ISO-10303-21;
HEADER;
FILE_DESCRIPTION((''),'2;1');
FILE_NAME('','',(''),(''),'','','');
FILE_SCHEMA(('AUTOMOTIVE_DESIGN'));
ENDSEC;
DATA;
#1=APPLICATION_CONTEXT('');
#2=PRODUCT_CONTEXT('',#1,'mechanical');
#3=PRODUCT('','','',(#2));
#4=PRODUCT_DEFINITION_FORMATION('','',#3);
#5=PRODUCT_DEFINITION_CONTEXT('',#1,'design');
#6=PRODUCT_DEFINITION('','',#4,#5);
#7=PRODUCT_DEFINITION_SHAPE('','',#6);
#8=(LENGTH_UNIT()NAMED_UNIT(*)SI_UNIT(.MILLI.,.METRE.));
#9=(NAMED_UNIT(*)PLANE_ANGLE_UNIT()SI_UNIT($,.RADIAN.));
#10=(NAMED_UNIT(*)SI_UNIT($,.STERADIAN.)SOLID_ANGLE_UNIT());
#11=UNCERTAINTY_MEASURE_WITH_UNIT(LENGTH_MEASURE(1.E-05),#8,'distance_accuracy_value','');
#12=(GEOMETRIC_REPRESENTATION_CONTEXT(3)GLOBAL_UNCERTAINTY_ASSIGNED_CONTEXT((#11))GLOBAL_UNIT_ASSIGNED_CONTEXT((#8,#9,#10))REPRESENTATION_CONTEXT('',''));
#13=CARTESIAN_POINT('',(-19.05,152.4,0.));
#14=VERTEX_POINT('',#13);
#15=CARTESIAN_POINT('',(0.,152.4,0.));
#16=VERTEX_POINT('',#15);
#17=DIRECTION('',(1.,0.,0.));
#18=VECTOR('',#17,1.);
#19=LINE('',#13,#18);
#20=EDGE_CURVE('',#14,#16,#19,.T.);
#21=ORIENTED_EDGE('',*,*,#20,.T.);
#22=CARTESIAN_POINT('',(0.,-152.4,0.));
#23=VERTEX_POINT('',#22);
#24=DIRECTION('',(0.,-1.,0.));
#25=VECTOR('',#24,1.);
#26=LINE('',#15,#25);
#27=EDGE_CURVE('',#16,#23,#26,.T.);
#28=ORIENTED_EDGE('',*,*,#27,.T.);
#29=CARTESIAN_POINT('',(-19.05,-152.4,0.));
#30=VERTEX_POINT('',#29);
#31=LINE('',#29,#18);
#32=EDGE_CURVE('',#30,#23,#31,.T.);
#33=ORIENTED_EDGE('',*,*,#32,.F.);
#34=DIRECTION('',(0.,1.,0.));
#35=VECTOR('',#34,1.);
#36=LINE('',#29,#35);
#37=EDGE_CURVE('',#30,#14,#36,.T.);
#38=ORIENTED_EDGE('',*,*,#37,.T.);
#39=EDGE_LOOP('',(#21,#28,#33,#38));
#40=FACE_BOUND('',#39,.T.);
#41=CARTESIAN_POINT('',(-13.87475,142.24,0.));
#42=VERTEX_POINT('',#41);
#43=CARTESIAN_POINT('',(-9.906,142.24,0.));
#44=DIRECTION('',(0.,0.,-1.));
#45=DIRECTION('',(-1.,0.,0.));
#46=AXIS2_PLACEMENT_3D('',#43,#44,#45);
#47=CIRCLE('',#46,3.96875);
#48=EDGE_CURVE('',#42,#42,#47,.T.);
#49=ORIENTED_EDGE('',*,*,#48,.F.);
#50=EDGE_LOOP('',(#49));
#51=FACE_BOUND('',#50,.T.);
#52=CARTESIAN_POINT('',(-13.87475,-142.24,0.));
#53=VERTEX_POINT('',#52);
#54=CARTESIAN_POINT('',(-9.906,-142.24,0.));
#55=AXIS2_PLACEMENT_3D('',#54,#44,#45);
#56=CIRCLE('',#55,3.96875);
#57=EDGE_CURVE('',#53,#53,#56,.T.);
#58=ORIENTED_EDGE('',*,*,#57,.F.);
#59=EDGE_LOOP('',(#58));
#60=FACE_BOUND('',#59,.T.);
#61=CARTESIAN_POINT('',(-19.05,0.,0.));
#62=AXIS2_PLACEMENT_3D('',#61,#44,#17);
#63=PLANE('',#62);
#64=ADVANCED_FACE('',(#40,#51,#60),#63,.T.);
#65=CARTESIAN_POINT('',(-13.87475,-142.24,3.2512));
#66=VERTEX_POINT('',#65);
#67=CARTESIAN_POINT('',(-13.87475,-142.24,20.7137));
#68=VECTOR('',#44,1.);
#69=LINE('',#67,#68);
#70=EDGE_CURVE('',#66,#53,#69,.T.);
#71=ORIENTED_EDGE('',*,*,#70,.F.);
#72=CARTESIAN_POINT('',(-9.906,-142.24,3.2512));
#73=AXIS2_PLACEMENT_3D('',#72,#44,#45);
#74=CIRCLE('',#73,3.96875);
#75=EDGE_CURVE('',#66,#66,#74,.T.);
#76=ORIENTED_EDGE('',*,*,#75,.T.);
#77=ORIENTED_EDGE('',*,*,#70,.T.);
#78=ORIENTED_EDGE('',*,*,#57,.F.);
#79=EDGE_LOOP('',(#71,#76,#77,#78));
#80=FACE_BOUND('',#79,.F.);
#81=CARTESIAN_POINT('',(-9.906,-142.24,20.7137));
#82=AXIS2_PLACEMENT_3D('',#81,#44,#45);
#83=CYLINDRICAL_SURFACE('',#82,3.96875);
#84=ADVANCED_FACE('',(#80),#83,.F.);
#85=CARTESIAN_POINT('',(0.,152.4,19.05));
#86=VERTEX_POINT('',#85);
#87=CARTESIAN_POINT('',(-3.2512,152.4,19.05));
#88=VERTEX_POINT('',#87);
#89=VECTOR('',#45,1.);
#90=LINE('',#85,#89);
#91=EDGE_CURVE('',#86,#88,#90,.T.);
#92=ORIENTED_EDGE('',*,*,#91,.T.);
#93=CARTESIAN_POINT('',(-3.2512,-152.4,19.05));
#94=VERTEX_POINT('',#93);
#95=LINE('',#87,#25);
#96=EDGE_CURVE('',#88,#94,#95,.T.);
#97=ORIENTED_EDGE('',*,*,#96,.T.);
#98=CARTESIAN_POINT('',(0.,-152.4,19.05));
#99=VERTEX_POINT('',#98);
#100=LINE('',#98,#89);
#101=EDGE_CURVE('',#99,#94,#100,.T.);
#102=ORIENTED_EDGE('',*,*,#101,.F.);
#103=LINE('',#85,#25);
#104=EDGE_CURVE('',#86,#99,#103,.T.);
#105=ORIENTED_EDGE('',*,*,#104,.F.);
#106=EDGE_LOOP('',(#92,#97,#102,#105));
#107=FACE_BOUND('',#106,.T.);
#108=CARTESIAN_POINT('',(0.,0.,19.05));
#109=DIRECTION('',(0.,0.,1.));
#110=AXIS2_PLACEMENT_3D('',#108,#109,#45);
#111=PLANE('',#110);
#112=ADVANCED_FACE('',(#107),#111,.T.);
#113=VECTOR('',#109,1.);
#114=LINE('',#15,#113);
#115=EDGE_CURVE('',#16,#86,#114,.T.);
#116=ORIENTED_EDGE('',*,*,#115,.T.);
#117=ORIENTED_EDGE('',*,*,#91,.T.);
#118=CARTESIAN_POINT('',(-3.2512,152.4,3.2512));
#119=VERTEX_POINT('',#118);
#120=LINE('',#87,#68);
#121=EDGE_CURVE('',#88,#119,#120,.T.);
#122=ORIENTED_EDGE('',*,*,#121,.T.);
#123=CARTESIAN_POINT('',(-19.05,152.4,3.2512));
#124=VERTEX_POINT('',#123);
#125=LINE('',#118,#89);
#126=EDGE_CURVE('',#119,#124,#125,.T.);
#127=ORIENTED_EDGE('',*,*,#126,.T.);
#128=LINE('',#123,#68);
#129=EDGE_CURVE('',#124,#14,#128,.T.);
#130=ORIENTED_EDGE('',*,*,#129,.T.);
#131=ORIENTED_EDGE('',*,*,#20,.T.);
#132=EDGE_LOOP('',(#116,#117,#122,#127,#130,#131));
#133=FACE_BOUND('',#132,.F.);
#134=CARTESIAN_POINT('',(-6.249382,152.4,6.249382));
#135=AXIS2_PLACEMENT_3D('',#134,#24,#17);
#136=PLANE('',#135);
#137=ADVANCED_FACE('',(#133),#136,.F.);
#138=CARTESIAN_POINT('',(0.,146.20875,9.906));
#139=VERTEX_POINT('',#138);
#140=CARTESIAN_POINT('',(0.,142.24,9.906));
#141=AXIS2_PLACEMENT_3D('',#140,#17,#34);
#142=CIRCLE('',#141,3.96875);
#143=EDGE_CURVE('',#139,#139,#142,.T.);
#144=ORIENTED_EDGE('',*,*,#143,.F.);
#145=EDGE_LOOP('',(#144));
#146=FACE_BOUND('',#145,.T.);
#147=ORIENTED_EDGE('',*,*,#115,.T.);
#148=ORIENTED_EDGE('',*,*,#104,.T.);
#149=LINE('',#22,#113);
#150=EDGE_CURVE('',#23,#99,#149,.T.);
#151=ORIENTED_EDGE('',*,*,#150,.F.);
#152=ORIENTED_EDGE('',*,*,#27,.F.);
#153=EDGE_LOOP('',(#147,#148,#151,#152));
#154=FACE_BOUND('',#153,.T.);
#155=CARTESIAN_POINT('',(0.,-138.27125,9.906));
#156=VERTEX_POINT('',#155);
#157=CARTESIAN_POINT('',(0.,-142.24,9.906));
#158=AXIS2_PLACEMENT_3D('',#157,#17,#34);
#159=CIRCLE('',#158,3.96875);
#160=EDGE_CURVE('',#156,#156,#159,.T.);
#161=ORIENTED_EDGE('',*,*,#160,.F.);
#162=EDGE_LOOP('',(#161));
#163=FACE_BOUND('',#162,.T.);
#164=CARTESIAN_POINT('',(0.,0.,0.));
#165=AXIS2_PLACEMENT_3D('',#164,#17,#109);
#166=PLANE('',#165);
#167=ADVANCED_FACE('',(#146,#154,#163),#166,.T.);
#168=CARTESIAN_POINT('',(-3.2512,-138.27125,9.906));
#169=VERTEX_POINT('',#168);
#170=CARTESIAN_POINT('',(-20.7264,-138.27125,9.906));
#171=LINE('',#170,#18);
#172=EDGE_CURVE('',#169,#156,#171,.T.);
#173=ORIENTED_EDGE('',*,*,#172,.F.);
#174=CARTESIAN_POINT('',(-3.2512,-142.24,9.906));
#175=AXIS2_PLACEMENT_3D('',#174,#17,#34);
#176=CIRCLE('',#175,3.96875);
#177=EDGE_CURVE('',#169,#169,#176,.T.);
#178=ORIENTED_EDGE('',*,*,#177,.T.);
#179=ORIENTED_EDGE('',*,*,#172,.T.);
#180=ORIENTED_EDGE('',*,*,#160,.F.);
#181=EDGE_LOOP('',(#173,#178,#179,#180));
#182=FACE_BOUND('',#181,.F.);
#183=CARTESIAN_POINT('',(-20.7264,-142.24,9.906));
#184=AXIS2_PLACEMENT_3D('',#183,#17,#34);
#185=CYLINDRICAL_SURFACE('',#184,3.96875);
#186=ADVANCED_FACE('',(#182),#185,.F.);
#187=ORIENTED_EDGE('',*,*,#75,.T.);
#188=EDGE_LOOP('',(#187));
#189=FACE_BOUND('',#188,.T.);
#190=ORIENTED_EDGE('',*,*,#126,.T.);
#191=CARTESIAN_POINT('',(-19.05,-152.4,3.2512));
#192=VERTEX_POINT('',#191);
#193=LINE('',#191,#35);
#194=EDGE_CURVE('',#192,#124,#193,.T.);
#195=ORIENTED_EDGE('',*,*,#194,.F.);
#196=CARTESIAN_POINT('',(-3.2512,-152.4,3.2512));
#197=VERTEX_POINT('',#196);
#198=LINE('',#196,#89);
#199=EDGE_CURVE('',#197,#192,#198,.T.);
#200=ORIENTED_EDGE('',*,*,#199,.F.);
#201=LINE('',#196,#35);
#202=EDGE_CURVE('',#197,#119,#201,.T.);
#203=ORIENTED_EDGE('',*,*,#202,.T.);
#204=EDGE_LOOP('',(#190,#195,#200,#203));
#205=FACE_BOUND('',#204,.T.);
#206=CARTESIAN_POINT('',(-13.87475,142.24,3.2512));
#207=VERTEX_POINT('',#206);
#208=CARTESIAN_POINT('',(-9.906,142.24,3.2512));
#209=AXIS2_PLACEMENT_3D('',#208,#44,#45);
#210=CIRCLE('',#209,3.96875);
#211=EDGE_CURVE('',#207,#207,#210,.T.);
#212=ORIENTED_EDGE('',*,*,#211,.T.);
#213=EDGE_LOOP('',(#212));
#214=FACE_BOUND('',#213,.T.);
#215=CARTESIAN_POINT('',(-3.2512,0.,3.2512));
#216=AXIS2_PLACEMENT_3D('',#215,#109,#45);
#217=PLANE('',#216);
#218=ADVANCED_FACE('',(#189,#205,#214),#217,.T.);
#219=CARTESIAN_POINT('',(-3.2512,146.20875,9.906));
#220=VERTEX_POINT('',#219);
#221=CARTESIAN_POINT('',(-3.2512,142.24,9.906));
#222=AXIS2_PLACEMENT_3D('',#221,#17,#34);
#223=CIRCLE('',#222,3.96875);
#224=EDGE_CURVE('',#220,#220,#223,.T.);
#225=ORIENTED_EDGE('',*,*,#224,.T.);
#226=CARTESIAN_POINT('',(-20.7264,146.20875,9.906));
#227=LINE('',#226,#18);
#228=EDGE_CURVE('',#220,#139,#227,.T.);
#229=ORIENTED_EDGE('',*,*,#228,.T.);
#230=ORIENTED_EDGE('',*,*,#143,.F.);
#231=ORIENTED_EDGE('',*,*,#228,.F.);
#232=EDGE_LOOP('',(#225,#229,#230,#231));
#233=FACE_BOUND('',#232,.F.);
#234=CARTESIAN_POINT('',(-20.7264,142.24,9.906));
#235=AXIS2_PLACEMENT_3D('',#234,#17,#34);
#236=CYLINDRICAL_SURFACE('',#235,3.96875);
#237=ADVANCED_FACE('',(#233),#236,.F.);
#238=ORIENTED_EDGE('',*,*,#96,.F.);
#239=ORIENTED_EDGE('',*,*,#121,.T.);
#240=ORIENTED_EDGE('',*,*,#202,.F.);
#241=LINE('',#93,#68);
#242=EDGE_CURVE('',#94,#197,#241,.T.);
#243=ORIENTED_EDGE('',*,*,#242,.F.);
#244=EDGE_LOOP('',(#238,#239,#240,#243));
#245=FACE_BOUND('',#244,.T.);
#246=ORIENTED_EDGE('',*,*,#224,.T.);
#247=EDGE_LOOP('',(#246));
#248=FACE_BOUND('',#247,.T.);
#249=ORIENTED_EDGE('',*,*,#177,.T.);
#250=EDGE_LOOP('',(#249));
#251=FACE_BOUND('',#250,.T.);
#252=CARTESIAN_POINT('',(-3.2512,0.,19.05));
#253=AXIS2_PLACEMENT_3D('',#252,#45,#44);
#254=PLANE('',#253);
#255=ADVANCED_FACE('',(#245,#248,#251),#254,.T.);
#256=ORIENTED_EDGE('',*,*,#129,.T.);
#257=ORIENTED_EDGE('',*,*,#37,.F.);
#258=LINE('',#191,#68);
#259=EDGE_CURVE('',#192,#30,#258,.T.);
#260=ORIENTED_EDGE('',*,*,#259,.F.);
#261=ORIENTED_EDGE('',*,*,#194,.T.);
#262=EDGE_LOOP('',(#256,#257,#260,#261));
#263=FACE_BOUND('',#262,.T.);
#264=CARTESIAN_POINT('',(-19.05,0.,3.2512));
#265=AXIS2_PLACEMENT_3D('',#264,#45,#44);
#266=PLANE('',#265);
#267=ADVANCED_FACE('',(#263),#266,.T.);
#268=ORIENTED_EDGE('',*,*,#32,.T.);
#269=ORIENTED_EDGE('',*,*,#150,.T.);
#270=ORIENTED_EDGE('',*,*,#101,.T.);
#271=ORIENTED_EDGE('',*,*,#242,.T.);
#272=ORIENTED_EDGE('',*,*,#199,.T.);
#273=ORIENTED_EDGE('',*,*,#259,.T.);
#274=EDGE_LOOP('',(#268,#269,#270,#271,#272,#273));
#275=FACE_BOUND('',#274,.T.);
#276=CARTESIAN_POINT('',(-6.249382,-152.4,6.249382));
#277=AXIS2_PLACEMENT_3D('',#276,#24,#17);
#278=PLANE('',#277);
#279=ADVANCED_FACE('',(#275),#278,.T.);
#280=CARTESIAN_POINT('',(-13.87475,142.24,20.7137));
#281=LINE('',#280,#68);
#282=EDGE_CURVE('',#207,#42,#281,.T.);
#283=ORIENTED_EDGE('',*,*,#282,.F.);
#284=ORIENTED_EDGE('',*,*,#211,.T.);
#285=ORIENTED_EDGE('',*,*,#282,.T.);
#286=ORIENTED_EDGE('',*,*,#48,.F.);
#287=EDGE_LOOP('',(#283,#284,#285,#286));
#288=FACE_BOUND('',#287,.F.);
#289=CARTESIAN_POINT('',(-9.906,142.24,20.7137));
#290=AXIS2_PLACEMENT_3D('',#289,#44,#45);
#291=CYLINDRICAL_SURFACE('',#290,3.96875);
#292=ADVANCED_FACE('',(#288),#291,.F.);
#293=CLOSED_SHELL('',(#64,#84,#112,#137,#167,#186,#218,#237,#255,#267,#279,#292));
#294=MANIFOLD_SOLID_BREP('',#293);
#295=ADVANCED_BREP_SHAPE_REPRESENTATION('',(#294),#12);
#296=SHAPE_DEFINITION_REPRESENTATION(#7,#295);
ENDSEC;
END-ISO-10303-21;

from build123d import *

# Parameters (mm, degrees)
F1_DEPTH = 152.4
F3_D     = 7.9375
F3_DEPTH = 17.4625
F3_TIP   = 2.3846655818
F5_D     = 7.9375
F5_DEPTH = 17.4752
F5_TIP   = 2.3846655818


with BuildPart() as f1:
    # F0 (on Front) → F1 (new body, symmetric)
    with BuildSketch(Plane.XZ):
        Polygon((-19.05, 0), (0, 0), (0, 19.05), (-3.2512, 19.05), (-3.2512, 3.2512), (-19.05, 3.2512), align=None)
    extrude(amount=F1_DEPTH, both=True)

    # F3
    with Locations(Plane.XY.offset(3.2512)):
        with Locations((-9.906, -142.24), (-9.906, 142.24)):
            Hole(F3_D / 2, depth=F3_DEPTH)
            with Locations((0, 0, -(F3_DEPTH + F3_TIP / 2))):  # 118° drill point
                Cone(0, F3_D / 2, F3_TIP, mode=Mode.SUBTRACT)

    # F5
    with Locations(Plane(origin=(-3.2512, 0, 0), x_dir=(0, -1, 0), z_dir=(-1, 0, 0))):
        with Locations((-142.24, 9.906), (142.24, 9.906)):
            Hole(F5_D / 2, depth=F5_DEPTH)
            with Locations((0, 0, -(F5_DEPTH + F5_TIP / 2))):  # 118° drill point
                Cone(0, F5_D / 2, F5_TIP, mode=Mode.SUBTRACT)


solid = f1.part
